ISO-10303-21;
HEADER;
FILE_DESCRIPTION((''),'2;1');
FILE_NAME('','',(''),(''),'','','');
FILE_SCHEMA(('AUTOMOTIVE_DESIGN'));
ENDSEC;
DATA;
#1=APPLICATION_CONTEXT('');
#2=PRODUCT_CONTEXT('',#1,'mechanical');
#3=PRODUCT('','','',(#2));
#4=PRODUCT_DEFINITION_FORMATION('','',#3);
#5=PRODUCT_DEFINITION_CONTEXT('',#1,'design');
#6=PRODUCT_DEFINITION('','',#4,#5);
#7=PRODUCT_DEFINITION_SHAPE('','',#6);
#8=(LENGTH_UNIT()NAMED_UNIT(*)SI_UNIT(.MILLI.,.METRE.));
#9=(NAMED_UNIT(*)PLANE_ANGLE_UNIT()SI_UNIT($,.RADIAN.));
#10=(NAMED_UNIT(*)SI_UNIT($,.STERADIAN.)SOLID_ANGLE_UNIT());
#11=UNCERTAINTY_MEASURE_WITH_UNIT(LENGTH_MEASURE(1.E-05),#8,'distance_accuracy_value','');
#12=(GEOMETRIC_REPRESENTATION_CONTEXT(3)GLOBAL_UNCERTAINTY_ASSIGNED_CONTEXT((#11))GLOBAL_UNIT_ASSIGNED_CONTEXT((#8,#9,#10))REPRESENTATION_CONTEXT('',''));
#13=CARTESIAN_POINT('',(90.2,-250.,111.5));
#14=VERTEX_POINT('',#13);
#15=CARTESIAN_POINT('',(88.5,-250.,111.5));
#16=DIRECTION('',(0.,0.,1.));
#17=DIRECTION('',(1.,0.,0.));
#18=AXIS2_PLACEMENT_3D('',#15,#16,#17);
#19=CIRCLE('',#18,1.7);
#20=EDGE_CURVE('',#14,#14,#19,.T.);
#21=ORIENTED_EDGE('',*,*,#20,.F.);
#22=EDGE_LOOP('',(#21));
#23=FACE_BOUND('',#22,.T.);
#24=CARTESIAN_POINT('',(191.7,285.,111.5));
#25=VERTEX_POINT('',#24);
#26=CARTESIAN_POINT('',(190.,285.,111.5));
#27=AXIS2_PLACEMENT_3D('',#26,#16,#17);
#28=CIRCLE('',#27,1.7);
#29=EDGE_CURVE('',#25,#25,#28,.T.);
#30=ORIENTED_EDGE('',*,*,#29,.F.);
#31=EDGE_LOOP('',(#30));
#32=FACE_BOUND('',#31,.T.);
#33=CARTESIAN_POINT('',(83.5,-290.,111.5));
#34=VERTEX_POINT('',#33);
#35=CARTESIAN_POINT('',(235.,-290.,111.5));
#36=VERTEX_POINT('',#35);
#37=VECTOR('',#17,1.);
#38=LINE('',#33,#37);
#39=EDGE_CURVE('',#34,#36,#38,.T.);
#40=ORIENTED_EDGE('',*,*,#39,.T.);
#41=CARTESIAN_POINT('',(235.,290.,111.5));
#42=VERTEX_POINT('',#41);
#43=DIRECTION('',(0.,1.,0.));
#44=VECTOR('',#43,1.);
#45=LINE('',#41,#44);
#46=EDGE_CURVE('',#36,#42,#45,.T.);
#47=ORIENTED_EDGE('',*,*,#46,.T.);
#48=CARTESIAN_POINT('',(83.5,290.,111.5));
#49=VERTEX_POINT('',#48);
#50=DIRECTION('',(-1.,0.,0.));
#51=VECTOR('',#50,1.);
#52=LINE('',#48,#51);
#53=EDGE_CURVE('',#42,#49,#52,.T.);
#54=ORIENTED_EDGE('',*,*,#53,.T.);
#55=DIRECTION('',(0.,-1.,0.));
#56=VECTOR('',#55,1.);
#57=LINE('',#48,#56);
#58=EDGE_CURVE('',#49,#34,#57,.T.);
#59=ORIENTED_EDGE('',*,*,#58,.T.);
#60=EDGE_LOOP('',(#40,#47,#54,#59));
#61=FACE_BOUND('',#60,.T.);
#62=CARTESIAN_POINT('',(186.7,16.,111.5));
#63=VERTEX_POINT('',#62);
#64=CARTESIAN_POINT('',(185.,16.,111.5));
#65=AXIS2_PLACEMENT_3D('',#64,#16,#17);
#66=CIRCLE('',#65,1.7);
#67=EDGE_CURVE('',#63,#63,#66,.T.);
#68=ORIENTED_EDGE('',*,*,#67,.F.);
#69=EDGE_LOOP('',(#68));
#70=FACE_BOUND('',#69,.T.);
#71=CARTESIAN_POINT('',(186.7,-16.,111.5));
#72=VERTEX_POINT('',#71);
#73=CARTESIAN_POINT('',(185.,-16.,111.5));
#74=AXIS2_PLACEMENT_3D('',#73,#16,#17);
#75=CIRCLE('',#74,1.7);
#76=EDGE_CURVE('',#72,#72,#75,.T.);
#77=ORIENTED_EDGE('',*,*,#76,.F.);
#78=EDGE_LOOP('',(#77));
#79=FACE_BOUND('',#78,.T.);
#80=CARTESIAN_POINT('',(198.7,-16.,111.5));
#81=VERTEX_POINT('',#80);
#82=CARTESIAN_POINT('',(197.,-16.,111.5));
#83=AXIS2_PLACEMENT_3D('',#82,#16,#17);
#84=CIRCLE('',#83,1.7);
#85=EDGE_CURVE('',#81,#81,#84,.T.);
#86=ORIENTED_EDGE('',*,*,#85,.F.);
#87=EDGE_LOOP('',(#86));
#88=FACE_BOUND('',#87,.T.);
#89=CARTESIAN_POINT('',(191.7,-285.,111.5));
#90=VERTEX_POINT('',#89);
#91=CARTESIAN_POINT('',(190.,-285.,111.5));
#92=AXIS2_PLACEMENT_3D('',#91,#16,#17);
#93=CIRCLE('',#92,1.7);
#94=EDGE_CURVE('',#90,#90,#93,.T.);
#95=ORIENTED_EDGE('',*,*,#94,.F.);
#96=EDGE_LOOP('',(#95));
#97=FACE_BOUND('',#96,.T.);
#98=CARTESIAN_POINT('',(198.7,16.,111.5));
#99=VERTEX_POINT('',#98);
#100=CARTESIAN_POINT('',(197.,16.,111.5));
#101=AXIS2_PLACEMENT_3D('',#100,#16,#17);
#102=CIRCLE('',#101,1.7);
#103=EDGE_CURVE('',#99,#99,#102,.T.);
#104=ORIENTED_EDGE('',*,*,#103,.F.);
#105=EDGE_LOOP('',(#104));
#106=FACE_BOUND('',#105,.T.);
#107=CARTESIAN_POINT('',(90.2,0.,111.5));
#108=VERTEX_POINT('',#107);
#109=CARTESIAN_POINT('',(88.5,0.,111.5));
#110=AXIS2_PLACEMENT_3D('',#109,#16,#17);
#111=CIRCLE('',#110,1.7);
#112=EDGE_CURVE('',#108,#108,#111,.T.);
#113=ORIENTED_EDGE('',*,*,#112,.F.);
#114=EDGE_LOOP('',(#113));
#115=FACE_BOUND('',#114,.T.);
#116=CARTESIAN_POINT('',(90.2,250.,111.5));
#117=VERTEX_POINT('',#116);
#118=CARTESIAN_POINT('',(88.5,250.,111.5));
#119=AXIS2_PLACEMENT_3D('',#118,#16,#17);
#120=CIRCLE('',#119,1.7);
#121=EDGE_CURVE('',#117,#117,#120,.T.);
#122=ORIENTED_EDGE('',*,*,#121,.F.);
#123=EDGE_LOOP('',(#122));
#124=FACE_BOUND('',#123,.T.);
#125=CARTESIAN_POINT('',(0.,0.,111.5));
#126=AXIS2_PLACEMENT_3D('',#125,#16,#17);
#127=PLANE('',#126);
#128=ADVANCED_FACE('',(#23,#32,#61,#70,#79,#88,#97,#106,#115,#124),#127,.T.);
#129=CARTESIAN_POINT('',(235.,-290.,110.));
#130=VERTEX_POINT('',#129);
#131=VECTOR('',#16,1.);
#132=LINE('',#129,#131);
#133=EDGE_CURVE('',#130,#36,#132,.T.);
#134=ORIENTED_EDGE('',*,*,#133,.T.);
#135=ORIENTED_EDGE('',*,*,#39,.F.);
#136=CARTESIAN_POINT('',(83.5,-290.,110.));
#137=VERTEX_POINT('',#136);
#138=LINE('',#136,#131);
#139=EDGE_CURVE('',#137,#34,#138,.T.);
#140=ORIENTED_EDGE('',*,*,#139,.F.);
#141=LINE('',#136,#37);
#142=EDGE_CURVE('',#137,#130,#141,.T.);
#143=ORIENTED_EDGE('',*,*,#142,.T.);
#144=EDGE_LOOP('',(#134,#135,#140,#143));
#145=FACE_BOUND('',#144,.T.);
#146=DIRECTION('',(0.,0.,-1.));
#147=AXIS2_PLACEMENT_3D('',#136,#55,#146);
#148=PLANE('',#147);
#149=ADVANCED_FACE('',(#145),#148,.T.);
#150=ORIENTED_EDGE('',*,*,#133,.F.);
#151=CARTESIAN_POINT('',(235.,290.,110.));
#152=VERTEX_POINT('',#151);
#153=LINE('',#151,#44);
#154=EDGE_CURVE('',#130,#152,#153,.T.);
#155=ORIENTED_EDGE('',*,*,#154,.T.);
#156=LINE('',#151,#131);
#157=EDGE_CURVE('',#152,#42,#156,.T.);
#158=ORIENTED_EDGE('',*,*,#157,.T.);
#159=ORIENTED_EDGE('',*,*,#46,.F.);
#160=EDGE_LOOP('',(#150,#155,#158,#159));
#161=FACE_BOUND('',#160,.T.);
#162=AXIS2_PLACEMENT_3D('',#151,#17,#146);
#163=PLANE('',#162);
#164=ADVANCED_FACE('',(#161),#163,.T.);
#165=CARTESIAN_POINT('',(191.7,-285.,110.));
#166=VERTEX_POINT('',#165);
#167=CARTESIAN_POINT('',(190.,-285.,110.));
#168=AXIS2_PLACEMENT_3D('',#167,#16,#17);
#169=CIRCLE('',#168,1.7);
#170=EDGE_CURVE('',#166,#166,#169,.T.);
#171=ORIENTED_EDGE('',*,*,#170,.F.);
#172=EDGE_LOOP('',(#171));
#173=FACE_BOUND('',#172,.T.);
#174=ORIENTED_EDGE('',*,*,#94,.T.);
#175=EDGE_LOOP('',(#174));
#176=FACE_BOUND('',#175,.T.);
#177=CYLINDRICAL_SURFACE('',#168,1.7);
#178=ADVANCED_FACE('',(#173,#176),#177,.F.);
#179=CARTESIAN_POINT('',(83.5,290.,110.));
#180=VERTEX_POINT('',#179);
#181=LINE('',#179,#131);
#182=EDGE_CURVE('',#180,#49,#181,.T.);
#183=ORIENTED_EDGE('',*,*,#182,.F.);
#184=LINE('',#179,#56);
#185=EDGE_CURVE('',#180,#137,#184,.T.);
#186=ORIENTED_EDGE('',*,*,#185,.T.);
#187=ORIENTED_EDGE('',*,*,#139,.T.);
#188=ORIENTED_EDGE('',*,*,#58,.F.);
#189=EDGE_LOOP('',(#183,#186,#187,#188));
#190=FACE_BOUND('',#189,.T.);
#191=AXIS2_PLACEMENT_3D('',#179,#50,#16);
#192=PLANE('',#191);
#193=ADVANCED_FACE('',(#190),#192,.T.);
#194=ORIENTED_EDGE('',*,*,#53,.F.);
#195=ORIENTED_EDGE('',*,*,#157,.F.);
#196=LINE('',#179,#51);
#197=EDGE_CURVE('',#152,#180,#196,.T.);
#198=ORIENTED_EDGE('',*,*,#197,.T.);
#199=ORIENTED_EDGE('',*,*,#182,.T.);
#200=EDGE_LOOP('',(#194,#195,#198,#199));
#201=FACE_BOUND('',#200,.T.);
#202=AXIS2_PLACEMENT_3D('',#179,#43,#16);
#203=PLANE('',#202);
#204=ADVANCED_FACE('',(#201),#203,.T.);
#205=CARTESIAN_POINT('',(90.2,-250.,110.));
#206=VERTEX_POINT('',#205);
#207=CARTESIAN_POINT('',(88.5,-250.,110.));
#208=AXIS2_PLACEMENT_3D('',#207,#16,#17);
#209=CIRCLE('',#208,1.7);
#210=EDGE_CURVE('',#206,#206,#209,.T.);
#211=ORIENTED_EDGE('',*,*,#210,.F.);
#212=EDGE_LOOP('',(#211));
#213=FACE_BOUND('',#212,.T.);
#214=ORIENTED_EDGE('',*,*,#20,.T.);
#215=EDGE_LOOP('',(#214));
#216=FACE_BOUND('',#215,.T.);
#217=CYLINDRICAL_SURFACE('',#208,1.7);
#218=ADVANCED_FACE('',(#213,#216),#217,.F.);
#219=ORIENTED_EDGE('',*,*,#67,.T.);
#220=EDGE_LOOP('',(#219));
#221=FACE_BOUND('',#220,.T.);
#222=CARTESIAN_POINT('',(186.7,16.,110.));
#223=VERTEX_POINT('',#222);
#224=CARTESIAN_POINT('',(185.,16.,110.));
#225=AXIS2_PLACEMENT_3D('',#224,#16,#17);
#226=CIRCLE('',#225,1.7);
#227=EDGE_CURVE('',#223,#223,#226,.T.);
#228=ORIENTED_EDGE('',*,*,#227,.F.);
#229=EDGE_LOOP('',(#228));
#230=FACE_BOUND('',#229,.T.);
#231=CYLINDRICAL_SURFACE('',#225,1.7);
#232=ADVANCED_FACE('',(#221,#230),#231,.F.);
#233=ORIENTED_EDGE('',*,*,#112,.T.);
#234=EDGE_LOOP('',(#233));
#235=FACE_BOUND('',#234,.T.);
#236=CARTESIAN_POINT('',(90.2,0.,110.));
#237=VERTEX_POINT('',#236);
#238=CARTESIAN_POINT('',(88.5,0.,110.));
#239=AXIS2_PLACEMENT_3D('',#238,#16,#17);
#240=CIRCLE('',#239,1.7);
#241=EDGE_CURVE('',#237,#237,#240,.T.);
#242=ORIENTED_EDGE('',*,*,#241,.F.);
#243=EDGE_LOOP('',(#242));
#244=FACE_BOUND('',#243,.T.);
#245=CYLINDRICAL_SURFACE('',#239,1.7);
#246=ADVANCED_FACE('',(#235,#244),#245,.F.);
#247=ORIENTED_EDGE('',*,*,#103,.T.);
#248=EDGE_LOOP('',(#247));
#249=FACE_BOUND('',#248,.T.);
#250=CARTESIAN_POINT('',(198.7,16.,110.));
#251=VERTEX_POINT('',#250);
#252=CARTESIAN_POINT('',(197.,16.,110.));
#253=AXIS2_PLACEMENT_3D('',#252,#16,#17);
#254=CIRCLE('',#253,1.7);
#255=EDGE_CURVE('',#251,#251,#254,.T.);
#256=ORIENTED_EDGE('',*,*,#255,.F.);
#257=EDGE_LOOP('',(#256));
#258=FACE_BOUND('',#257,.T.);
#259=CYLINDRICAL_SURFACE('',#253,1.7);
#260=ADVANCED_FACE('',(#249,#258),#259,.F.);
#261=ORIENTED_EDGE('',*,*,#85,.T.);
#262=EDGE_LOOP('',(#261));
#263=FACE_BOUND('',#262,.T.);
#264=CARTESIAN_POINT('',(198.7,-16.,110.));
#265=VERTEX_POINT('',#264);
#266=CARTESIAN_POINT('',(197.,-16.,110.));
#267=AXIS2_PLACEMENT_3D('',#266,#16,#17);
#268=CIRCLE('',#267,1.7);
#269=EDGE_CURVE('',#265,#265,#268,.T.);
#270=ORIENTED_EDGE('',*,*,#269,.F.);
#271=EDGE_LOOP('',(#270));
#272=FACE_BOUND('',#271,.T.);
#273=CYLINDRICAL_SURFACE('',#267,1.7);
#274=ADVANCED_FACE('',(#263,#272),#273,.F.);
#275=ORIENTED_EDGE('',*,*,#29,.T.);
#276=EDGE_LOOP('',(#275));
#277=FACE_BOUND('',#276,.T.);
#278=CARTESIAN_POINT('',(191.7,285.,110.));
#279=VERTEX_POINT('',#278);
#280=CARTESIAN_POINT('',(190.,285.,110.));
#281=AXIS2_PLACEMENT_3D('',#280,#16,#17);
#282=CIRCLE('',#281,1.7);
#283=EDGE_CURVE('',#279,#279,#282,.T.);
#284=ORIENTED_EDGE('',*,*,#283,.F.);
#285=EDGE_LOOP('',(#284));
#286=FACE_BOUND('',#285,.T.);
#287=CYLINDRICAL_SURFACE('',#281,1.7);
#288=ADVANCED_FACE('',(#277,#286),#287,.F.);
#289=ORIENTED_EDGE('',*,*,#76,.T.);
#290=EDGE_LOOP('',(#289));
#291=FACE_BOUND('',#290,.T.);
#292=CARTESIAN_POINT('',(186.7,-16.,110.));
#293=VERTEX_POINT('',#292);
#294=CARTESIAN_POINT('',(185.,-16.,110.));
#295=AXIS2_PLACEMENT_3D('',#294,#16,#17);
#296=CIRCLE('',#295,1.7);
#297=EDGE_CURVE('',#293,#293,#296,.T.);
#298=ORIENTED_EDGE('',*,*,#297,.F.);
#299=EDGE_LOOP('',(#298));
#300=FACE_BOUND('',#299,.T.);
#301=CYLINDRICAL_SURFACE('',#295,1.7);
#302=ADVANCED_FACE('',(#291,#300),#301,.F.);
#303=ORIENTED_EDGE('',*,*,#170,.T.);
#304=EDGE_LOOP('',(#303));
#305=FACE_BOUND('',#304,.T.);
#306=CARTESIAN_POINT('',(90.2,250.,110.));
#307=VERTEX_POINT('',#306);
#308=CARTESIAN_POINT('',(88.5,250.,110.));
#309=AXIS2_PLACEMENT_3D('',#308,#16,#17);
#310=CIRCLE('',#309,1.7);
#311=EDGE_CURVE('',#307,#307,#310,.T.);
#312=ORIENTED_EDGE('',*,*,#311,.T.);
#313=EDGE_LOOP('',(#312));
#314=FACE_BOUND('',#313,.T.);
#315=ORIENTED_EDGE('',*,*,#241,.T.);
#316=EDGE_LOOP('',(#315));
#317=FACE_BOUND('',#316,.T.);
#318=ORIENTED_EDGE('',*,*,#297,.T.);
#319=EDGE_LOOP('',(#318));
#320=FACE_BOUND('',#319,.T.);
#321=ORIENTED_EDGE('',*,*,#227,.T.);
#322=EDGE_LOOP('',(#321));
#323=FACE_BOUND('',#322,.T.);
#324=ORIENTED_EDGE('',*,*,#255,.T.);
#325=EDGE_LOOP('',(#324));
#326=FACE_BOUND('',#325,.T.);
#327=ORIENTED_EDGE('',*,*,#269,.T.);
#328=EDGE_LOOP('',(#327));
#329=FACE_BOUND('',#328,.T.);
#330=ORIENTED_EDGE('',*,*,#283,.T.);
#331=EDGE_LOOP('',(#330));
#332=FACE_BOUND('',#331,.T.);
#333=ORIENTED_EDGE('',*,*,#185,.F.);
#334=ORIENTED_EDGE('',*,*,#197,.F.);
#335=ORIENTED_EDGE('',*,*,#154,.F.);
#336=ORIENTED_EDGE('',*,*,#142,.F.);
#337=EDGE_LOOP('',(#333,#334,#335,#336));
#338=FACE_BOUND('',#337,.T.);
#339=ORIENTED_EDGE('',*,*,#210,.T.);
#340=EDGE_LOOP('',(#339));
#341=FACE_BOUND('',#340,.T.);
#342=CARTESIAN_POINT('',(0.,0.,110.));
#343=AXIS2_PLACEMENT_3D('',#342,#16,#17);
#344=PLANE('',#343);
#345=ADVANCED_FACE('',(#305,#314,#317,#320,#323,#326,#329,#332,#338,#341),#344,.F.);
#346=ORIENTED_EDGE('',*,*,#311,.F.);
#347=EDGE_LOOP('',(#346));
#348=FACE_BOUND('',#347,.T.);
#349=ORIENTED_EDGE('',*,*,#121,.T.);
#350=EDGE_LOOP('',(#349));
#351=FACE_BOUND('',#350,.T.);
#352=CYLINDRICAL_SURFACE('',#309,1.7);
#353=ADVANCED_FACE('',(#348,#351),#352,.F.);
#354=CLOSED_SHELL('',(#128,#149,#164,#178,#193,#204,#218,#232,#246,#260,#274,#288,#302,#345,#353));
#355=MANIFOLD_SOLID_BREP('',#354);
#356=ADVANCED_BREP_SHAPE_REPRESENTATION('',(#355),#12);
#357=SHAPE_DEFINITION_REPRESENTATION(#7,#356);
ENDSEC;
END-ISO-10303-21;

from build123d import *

# Parameters (mm, degrees)
MAIN_PROFILE_SKETCH_W = 151.5
MAIN_PROFILE_SKETCH_H = 580
MAIN_PROFILE_SKETCH_R = 1.7
MAIN_EXTRUSION_DEPTH  = 1.5


with BuildPart() as part:
    # Main Profile Sketch → Main Extrusion (new body)
    with BuildSketch(Plane.XY.offset(111.5)):
        with Locations((159.25, 0)):
            Rectangle(MAIN_PROFILE_SKETCH_W, MAIN_PROFILE_SKETCH_H)
        with Locations((88.5, -250)):
            Circle(MAIN_PROFILE_SKETCH_R, mode=Mode.SUBTRACT)
        with Locations((190, -285)):
            Circle(MAIN_PROFILE_SKETCH_R, mode=Mode.SUBTRACT)
        with Locations((185, -16)):
            Circle(MAIN_PROFILE_SKETCH_R, mode=Mode.SUBTRACT)
        with Locations((197, -16)):
            Circle(MAIN_PROFILE_SKETCH_R, mode=Mode.SUBTRACT)
        with Locations((88.5, 0)):
            Circle(MAIN_PROFILE_SKETCH_R, mode=Mode.SUBTRACT)
        with Locations((88.5, 250)):
            Circle(MAIN_PROFILE_SKETCH_R, mode=Mode.SUBTRACT)
        with Locations((185, 16)):
            Circle(MAIN_PROFILE_SKETCH_R, mode=Mode.SUBTRACT)
        with Locations((197, 16)):
            Circle(MAIN_PROFILE_SKETCH_R, mode=Mode.SUBTRACT)
        with Locations((190, 285)):
            Circle(MAIN_PROFILE_SKETCH_R, mode=Mode.SUBTRACT)
    extrude(amount=-MAIN_EXTRUSION_DEPTH)


solid = part.part
